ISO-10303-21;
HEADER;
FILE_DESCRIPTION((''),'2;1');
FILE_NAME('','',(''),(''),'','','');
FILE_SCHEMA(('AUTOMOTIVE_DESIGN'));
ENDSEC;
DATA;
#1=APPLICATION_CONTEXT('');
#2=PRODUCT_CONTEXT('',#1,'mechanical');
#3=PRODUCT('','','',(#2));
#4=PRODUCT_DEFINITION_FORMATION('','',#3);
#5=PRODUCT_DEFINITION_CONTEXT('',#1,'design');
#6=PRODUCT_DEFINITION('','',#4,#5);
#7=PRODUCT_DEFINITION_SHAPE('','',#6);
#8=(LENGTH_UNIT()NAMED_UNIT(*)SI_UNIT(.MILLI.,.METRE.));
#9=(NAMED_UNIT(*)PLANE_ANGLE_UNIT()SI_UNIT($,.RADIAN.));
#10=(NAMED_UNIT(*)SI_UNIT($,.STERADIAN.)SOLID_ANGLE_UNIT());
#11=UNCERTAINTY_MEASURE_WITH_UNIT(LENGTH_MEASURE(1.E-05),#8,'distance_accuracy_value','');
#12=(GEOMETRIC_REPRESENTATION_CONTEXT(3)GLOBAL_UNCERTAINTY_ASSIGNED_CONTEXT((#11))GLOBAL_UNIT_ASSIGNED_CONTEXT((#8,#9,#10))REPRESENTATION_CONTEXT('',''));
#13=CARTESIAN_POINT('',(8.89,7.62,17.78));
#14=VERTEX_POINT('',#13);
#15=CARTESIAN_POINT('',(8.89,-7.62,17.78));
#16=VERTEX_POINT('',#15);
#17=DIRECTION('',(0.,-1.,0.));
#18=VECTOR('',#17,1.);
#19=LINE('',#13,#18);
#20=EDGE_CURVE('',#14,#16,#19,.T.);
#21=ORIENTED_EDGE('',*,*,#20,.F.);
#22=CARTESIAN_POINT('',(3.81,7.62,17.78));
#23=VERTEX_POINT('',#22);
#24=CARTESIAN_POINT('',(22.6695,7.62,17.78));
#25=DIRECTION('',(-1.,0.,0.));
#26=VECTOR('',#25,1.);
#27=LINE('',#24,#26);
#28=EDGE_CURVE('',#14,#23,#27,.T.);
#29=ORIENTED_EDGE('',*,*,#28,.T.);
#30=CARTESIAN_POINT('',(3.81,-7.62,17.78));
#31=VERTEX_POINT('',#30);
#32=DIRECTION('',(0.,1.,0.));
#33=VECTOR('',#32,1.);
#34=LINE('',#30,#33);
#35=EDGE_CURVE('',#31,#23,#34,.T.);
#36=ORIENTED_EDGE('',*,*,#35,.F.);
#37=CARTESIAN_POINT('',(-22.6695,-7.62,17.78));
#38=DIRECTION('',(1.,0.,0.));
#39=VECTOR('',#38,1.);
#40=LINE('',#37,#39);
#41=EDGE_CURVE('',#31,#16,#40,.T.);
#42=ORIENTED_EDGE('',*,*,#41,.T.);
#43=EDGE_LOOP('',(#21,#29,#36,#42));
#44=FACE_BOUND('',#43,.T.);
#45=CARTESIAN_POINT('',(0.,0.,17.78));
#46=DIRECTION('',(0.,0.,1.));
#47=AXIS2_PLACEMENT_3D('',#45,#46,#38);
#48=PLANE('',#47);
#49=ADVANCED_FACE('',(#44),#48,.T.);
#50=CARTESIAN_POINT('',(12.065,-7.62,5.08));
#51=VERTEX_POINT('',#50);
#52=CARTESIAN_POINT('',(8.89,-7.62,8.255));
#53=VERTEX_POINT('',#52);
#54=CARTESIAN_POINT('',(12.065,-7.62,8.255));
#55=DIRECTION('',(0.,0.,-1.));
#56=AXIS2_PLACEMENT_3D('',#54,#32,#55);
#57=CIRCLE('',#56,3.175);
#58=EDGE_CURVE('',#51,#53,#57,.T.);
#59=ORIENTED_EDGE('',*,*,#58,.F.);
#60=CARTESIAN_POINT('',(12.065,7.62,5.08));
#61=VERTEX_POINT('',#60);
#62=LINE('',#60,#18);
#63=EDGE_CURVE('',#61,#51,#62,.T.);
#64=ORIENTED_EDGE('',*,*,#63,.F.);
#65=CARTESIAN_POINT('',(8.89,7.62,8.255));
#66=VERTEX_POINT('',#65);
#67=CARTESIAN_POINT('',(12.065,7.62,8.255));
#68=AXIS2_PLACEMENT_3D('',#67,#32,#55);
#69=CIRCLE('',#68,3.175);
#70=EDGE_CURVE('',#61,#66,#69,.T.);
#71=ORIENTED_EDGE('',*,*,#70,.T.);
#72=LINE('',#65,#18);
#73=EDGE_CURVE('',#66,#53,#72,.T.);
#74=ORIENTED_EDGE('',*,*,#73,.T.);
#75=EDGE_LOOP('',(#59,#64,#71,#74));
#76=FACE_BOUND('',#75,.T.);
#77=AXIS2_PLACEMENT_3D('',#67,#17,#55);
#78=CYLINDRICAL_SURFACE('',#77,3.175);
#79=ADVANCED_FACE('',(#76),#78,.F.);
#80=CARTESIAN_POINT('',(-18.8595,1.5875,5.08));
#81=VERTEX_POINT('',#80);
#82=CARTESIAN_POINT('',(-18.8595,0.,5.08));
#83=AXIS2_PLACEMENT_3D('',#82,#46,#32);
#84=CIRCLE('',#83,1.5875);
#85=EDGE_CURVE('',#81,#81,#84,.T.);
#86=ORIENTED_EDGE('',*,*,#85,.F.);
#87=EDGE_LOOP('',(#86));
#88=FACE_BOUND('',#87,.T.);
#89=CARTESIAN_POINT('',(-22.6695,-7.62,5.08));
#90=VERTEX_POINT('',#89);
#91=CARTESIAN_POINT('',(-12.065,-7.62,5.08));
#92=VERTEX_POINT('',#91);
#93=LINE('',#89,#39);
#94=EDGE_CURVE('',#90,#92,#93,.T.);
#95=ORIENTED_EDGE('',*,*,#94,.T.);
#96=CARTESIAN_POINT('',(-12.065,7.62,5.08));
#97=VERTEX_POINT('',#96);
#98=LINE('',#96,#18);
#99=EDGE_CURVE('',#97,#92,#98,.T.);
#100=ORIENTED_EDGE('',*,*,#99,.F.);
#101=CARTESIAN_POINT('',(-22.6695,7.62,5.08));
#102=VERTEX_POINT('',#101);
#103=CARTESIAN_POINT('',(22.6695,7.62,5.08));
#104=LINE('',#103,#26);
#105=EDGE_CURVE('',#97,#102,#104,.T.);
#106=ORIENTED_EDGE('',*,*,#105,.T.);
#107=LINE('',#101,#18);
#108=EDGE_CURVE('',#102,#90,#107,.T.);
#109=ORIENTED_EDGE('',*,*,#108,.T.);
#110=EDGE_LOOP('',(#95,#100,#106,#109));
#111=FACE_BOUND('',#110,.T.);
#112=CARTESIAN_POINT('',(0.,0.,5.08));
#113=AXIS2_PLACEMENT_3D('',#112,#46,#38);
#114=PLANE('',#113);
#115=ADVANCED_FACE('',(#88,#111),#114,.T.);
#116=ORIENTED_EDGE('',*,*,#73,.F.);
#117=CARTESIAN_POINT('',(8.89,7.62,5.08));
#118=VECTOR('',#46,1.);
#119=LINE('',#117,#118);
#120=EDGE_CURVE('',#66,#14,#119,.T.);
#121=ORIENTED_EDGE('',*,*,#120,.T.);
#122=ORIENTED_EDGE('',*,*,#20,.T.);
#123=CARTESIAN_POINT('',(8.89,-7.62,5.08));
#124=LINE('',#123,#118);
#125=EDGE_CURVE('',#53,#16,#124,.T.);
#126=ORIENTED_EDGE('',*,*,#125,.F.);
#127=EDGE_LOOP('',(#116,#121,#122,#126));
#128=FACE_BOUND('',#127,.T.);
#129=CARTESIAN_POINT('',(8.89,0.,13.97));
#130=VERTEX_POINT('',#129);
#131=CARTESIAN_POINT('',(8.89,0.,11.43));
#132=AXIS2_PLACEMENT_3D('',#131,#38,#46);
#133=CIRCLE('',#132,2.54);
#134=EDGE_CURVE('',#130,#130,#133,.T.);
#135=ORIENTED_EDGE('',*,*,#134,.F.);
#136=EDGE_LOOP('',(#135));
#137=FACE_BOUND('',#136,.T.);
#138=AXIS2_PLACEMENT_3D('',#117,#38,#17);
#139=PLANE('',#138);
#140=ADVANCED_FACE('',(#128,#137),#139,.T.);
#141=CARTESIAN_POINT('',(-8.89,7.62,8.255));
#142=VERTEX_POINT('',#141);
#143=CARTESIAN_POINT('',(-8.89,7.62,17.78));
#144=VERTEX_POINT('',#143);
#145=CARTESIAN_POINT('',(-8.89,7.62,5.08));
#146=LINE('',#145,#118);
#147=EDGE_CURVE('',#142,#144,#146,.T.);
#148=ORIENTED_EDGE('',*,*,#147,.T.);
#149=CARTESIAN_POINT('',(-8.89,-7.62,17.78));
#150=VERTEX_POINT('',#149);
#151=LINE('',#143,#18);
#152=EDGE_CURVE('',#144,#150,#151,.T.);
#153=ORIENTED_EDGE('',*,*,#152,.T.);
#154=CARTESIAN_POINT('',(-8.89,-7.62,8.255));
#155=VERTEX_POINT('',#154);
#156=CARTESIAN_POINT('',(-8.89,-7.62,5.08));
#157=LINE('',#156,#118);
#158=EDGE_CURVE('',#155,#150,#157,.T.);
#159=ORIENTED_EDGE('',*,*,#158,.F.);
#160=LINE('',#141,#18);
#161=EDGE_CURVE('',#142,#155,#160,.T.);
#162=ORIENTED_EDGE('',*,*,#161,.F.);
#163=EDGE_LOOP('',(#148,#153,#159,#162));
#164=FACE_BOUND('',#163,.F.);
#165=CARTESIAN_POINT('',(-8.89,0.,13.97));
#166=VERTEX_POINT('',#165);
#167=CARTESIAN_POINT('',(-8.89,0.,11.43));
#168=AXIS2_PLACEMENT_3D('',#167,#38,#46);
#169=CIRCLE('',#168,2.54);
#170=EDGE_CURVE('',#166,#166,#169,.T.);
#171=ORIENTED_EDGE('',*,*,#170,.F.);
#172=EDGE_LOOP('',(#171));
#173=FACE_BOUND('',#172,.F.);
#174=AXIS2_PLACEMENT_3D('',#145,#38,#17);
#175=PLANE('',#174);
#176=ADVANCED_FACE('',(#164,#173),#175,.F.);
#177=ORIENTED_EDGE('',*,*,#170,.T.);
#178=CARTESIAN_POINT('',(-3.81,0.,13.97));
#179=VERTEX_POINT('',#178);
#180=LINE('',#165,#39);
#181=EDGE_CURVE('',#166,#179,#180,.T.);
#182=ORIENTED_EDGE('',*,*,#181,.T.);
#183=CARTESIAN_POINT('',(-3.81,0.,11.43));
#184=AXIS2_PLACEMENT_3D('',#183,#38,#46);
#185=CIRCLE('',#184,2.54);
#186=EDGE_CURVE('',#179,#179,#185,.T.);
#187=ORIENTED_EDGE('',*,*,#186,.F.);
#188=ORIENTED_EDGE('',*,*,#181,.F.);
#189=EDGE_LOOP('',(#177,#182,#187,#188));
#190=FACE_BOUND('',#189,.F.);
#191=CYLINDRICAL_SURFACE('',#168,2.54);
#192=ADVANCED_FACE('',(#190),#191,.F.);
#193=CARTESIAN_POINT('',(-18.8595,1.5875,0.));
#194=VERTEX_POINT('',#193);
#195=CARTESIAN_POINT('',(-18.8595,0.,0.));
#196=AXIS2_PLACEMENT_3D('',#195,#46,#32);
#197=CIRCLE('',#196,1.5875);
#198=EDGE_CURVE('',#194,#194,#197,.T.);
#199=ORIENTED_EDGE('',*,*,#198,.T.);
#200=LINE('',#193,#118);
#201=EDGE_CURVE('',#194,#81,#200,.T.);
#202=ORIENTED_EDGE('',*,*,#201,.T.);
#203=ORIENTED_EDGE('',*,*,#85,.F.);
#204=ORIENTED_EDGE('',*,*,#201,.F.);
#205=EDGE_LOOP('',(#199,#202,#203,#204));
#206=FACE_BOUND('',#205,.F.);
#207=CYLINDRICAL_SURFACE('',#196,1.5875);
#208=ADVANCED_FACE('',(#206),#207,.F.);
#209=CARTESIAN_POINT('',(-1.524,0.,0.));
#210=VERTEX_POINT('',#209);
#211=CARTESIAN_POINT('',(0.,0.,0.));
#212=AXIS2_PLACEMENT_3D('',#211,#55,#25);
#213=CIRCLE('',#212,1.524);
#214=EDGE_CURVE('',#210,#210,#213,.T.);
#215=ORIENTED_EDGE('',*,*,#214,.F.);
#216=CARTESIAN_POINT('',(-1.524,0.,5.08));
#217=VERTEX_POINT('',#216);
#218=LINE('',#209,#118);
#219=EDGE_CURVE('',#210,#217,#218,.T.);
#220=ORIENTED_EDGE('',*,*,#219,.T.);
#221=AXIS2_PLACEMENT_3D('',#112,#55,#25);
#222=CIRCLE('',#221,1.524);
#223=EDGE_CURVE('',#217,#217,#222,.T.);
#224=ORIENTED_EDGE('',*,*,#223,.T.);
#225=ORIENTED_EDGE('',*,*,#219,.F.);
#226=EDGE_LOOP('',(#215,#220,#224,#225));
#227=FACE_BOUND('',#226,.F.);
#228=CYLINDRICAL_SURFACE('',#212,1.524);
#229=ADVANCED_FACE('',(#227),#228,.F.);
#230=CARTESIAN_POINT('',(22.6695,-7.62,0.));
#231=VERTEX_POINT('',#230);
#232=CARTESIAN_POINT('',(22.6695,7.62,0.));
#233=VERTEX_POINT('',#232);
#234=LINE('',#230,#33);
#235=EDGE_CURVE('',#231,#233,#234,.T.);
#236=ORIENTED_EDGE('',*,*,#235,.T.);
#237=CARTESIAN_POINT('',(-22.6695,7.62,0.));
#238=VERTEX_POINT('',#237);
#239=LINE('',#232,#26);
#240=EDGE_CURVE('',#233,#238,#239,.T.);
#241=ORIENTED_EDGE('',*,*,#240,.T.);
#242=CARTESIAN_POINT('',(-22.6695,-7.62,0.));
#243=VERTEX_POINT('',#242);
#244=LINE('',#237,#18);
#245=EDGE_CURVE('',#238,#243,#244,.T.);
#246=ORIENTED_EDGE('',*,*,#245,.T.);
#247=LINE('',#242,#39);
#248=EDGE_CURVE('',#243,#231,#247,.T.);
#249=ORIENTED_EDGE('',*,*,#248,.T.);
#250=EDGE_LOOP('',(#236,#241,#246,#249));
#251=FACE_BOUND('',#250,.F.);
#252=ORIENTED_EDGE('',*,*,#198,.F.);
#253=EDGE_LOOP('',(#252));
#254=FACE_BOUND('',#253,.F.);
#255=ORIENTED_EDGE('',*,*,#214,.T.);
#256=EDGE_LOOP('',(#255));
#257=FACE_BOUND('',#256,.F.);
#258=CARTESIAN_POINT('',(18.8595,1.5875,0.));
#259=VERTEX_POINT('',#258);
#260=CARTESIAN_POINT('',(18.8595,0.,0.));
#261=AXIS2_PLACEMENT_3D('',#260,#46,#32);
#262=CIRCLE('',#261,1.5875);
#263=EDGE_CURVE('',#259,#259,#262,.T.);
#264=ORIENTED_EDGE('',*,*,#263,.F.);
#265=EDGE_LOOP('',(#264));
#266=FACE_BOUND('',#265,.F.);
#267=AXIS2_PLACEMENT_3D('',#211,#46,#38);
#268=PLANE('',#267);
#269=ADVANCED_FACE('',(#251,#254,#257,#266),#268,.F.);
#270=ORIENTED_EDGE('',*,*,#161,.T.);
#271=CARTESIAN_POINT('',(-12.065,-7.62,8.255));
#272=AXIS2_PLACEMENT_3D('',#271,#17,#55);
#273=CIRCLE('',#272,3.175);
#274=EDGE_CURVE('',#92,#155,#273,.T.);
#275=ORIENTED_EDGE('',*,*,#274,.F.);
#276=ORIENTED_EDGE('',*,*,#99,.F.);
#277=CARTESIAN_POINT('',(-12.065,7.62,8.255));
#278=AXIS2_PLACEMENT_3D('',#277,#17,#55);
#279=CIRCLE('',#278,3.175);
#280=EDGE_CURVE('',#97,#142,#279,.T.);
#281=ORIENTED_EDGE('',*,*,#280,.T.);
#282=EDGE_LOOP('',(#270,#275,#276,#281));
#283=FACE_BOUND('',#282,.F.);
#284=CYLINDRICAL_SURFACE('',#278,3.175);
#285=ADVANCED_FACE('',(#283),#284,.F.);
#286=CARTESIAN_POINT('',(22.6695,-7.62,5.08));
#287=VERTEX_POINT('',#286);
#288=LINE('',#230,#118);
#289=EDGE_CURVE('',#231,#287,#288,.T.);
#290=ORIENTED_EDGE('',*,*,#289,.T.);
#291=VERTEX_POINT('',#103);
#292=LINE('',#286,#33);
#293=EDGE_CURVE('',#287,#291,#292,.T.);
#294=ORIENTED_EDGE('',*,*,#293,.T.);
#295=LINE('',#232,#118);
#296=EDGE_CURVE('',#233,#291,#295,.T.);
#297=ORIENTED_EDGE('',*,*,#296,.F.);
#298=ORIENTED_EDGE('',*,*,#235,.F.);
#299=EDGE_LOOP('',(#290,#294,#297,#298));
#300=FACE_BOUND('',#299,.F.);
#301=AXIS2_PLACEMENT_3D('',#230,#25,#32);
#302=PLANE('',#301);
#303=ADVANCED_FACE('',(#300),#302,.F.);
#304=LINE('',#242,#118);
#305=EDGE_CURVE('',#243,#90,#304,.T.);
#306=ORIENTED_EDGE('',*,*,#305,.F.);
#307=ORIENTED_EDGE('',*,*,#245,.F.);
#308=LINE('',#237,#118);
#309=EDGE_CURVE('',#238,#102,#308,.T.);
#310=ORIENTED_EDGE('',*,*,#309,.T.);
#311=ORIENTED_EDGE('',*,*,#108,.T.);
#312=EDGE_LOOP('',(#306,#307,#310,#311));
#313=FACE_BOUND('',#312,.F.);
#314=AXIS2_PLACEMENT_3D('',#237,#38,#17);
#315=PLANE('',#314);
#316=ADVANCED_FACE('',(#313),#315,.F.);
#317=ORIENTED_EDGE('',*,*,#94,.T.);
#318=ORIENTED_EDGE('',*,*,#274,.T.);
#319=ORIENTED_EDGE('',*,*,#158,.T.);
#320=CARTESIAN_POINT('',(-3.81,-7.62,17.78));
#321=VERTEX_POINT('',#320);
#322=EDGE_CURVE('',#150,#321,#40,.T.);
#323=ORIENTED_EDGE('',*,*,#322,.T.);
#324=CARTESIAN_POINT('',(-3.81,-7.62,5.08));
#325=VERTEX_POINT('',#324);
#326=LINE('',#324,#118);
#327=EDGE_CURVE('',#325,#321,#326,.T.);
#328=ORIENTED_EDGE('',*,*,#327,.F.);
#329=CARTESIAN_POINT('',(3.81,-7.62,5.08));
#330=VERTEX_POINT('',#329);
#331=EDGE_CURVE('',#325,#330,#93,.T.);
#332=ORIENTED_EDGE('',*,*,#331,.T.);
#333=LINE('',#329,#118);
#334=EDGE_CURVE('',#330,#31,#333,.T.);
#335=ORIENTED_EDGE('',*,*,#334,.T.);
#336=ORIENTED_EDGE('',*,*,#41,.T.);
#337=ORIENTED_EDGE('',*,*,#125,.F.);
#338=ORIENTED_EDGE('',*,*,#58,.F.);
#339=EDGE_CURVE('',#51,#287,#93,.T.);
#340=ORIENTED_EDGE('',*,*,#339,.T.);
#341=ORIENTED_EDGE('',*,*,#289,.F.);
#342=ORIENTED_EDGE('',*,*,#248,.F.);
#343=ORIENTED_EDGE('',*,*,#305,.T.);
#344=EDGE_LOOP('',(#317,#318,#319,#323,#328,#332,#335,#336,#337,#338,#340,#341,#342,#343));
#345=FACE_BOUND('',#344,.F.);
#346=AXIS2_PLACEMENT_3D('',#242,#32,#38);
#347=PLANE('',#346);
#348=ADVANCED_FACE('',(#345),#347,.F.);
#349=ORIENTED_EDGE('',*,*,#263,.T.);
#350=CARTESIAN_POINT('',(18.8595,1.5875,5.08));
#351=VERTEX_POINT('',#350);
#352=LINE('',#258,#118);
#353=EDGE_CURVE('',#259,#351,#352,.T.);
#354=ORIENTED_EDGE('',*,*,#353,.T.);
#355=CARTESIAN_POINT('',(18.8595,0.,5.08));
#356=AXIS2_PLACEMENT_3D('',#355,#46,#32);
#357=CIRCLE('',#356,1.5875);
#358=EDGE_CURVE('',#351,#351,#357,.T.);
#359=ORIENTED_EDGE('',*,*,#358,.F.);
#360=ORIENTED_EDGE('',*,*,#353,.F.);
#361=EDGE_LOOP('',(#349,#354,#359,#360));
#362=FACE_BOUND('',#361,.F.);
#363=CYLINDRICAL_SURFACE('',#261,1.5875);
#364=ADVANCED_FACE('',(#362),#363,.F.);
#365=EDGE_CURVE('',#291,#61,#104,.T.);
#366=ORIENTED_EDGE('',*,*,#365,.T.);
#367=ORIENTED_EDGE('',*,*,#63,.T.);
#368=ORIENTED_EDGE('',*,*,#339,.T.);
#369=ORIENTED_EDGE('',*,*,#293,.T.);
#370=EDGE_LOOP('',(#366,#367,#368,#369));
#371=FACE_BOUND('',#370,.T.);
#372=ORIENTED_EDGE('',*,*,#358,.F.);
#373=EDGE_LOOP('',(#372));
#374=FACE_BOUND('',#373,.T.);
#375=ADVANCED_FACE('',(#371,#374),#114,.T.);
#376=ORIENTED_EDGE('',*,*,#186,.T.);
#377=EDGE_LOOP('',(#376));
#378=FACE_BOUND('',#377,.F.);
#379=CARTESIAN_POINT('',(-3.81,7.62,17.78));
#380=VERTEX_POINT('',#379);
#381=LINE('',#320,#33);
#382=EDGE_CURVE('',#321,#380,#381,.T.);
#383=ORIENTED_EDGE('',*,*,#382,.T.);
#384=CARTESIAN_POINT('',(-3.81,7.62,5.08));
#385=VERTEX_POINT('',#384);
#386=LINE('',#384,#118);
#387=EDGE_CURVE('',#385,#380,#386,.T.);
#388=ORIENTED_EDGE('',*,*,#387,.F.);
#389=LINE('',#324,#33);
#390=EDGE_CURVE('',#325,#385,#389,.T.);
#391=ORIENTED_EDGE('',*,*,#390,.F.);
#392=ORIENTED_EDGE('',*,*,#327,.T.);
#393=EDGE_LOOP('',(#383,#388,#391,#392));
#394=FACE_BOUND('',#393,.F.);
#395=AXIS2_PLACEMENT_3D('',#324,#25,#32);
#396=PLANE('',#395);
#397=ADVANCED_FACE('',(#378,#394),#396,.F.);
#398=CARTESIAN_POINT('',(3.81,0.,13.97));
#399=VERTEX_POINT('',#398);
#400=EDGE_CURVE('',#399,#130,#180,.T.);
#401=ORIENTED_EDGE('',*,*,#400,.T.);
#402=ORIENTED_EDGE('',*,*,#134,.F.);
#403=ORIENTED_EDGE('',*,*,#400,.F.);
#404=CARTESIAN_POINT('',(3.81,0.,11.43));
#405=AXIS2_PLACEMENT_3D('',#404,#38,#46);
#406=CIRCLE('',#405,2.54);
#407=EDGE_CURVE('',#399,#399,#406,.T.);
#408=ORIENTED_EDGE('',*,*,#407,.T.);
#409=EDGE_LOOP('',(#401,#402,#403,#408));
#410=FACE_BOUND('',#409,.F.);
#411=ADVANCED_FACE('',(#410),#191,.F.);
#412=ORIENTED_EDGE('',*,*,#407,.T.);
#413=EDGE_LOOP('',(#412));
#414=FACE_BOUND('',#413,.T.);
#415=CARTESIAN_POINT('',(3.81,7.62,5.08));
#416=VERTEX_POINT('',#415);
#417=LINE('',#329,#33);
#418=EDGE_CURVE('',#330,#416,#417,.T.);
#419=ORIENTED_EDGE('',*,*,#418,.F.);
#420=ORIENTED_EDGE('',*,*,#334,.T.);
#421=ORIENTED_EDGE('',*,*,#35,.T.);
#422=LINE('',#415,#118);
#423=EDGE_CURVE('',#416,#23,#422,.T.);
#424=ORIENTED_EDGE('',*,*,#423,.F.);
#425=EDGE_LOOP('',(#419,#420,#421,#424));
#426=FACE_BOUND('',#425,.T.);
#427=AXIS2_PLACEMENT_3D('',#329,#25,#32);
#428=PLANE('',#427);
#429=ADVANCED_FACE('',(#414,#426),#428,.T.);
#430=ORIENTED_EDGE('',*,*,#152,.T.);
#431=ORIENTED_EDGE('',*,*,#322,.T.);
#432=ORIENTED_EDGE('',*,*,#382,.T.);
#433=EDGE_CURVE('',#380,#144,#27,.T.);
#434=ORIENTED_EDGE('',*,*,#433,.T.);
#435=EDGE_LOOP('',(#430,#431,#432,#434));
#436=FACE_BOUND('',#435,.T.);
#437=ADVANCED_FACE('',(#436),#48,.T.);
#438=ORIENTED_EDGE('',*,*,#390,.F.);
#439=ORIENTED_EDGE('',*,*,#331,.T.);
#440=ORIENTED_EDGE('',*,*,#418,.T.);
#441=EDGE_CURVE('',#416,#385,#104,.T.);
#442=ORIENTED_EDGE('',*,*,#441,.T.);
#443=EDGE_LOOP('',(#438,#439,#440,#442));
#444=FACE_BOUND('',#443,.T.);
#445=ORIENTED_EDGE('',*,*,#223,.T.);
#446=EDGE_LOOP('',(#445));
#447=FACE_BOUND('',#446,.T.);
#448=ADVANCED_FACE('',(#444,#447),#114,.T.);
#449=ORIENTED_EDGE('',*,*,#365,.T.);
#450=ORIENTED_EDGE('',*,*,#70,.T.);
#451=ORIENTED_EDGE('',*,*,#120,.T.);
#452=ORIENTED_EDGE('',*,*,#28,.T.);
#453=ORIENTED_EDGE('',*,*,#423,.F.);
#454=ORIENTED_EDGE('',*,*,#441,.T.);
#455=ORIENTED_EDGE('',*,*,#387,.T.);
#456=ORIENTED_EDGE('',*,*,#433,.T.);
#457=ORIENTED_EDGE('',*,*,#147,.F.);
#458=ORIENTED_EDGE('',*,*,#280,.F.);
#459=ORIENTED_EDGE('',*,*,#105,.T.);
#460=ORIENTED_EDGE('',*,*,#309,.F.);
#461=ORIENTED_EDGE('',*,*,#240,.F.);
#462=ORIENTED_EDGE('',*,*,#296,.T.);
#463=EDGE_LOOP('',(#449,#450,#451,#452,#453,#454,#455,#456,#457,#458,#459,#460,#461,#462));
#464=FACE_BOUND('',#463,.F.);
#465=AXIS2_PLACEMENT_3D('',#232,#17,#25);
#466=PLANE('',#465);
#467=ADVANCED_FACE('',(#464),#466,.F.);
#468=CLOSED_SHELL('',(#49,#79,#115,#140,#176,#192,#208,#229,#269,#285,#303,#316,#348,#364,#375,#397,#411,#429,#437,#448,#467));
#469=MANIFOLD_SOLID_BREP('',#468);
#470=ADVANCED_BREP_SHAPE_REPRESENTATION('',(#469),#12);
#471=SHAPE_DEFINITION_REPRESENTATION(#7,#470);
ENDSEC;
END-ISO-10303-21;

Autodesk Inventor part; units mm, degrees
ref_plane "YZ Plane" through (0, 0, 0) normal (1, 0, 0) x (0, 1, 0)
ref_plane "XZ Plane" through (0, 0, 0) normal (0, 1, 0) x (-1, 0, 0)
ref_plane "XY Plane" through (0, 0, 0) normal (0, 0, 1) x (1, 0, 0)
sketch "Sketch1" plane through (0, 0, 0) normal (0, 0, 1) x (1, 0, 0)
  line L0 (-22.6695, -7.62) -> (22.6695, -7.62)
  line L1 (22.6695, -7.62) -> (22.6695, 7.62)
  line L2 (22.6695, 7.62) -> (-22.6695, 7.62)
  line L3 (-22.6695, 7.62) -> (-22.6695, -7.62)
  line L4 (-22.6695, -7.62) -> (22.6695, 7.62) construction
  line L5 (22.6695, -7.62) -> (-22.6695, 7.62) construction
  point P0 (0, 0)
  dimension "d0" = 15.24
  dimension "d1" = 45.339
extrude "Extrusion1" add sketch "Sketch1" along normal blind 5.08
sketch "Sketch2" plane through (0, 0, 0) normal (0, 0, -1) x (-1, 0, 0)
  line L0 (22.6695, 7.62) -> (22.6695, -7.62) projected
  line L1 (-22.6695, -7.62) -> (-22.6695, 7.62) projected
  line L2 (-22.6695, 7.62) -> (22.6695, 7.62) projected
  point P0 (0, 0)
  point P1 (18.8595, 0)
  point P2 (-18.8595, 0)
  dimension "d4" = 3.81
  dimension "d5" = 3.81
  dimension "d6" = 7.62
  dimension "d7" = 7.62
  dimension "d35" = 15.24
hole "Hole1" at (-18.8595, 0, 0) at (18.8595, 0, 0) direction (0, 0, 1) diameter 3.175 end through all
sketch "Sketch3" plane through (0, 0, 0) normal (0, 0, -1) x (-1, 0, 0)
  circle A0 centre (0, 0) radius 1.524
  dimension "d15" = 3.048
extrude "Extrusion2" cut sketch "Sketch3" against normal through all
sketch "Sketch4" plane through (0, 0, 5.08) normal (0, 0, 1) x (1, 0, 0)
  line L0 (22.6695, 7.62) -> (-22.6695, 7.62) projected
  line L1 (-22.6695, -7.62) -> (22.6695, -7.62) projected
  line L2 (-3.81, 7.62) -> (-8.89, 7.62)
  line L3 (-8.89, 7.62) -> (-8.89, -7.62)
  line L4 (-8.89, -7.62) -> (-3.81, -7.62)
  line L5 (-3.81, -7.62) -> (-3.81, 7.62)
  line L6 (3.81, 7.62) -> (8.89, 7.62)
  line L7 (8.89, 7.62) -> (8.89, -7.62)
  line L8 (8.89, -7.62) -> (3.81, -7.62)
  line L9 (3.81, -7.62) -> (3.81, 7.62)
  point P0 (0, 0)
  dimension "d18" = 5.08
  dimension "d19" = 3.81
  dimension "d20" = 3.81
  dimension "d21" = 5.08
extrude "Extrusion3" add sketch "Sketch4" along normal blind 12.7 contours L7 L1 L9 L0 | L5 L1 L3 L0
sketch "Sketch5" plane through (-8.89, -7.62, 5.08) normal (-1, 0, 0) x (0, 0, 1)
  line L0 (12.7, 15.24) -> (12.7, 0) projected
  line L1 (0, 15.24) -> (12.7, 15.24) projected
  point P0 (-5.08, 7.62)
  point P1 (6.35, 7.62)
  dimension "d24" = 6.35
  dimension "d25" = 7.62
  dimension "d36" = 15.24
hole "Hole2" at (-8.89, 0, 11.43) direction (1, 0, 0) diameter 5.08 end through all
fillet "Fillet1" radius 3.175 2 edges at (-8.89, 0, 5.08) (8.89, 0, 5.08)
equation "\"d6\" = 0.5 * d35"
equation "\"d7\" = d6"
equation "\"d25\" = 0.5 * d36"
properties part number "LowerSpringMountFrontV2"
